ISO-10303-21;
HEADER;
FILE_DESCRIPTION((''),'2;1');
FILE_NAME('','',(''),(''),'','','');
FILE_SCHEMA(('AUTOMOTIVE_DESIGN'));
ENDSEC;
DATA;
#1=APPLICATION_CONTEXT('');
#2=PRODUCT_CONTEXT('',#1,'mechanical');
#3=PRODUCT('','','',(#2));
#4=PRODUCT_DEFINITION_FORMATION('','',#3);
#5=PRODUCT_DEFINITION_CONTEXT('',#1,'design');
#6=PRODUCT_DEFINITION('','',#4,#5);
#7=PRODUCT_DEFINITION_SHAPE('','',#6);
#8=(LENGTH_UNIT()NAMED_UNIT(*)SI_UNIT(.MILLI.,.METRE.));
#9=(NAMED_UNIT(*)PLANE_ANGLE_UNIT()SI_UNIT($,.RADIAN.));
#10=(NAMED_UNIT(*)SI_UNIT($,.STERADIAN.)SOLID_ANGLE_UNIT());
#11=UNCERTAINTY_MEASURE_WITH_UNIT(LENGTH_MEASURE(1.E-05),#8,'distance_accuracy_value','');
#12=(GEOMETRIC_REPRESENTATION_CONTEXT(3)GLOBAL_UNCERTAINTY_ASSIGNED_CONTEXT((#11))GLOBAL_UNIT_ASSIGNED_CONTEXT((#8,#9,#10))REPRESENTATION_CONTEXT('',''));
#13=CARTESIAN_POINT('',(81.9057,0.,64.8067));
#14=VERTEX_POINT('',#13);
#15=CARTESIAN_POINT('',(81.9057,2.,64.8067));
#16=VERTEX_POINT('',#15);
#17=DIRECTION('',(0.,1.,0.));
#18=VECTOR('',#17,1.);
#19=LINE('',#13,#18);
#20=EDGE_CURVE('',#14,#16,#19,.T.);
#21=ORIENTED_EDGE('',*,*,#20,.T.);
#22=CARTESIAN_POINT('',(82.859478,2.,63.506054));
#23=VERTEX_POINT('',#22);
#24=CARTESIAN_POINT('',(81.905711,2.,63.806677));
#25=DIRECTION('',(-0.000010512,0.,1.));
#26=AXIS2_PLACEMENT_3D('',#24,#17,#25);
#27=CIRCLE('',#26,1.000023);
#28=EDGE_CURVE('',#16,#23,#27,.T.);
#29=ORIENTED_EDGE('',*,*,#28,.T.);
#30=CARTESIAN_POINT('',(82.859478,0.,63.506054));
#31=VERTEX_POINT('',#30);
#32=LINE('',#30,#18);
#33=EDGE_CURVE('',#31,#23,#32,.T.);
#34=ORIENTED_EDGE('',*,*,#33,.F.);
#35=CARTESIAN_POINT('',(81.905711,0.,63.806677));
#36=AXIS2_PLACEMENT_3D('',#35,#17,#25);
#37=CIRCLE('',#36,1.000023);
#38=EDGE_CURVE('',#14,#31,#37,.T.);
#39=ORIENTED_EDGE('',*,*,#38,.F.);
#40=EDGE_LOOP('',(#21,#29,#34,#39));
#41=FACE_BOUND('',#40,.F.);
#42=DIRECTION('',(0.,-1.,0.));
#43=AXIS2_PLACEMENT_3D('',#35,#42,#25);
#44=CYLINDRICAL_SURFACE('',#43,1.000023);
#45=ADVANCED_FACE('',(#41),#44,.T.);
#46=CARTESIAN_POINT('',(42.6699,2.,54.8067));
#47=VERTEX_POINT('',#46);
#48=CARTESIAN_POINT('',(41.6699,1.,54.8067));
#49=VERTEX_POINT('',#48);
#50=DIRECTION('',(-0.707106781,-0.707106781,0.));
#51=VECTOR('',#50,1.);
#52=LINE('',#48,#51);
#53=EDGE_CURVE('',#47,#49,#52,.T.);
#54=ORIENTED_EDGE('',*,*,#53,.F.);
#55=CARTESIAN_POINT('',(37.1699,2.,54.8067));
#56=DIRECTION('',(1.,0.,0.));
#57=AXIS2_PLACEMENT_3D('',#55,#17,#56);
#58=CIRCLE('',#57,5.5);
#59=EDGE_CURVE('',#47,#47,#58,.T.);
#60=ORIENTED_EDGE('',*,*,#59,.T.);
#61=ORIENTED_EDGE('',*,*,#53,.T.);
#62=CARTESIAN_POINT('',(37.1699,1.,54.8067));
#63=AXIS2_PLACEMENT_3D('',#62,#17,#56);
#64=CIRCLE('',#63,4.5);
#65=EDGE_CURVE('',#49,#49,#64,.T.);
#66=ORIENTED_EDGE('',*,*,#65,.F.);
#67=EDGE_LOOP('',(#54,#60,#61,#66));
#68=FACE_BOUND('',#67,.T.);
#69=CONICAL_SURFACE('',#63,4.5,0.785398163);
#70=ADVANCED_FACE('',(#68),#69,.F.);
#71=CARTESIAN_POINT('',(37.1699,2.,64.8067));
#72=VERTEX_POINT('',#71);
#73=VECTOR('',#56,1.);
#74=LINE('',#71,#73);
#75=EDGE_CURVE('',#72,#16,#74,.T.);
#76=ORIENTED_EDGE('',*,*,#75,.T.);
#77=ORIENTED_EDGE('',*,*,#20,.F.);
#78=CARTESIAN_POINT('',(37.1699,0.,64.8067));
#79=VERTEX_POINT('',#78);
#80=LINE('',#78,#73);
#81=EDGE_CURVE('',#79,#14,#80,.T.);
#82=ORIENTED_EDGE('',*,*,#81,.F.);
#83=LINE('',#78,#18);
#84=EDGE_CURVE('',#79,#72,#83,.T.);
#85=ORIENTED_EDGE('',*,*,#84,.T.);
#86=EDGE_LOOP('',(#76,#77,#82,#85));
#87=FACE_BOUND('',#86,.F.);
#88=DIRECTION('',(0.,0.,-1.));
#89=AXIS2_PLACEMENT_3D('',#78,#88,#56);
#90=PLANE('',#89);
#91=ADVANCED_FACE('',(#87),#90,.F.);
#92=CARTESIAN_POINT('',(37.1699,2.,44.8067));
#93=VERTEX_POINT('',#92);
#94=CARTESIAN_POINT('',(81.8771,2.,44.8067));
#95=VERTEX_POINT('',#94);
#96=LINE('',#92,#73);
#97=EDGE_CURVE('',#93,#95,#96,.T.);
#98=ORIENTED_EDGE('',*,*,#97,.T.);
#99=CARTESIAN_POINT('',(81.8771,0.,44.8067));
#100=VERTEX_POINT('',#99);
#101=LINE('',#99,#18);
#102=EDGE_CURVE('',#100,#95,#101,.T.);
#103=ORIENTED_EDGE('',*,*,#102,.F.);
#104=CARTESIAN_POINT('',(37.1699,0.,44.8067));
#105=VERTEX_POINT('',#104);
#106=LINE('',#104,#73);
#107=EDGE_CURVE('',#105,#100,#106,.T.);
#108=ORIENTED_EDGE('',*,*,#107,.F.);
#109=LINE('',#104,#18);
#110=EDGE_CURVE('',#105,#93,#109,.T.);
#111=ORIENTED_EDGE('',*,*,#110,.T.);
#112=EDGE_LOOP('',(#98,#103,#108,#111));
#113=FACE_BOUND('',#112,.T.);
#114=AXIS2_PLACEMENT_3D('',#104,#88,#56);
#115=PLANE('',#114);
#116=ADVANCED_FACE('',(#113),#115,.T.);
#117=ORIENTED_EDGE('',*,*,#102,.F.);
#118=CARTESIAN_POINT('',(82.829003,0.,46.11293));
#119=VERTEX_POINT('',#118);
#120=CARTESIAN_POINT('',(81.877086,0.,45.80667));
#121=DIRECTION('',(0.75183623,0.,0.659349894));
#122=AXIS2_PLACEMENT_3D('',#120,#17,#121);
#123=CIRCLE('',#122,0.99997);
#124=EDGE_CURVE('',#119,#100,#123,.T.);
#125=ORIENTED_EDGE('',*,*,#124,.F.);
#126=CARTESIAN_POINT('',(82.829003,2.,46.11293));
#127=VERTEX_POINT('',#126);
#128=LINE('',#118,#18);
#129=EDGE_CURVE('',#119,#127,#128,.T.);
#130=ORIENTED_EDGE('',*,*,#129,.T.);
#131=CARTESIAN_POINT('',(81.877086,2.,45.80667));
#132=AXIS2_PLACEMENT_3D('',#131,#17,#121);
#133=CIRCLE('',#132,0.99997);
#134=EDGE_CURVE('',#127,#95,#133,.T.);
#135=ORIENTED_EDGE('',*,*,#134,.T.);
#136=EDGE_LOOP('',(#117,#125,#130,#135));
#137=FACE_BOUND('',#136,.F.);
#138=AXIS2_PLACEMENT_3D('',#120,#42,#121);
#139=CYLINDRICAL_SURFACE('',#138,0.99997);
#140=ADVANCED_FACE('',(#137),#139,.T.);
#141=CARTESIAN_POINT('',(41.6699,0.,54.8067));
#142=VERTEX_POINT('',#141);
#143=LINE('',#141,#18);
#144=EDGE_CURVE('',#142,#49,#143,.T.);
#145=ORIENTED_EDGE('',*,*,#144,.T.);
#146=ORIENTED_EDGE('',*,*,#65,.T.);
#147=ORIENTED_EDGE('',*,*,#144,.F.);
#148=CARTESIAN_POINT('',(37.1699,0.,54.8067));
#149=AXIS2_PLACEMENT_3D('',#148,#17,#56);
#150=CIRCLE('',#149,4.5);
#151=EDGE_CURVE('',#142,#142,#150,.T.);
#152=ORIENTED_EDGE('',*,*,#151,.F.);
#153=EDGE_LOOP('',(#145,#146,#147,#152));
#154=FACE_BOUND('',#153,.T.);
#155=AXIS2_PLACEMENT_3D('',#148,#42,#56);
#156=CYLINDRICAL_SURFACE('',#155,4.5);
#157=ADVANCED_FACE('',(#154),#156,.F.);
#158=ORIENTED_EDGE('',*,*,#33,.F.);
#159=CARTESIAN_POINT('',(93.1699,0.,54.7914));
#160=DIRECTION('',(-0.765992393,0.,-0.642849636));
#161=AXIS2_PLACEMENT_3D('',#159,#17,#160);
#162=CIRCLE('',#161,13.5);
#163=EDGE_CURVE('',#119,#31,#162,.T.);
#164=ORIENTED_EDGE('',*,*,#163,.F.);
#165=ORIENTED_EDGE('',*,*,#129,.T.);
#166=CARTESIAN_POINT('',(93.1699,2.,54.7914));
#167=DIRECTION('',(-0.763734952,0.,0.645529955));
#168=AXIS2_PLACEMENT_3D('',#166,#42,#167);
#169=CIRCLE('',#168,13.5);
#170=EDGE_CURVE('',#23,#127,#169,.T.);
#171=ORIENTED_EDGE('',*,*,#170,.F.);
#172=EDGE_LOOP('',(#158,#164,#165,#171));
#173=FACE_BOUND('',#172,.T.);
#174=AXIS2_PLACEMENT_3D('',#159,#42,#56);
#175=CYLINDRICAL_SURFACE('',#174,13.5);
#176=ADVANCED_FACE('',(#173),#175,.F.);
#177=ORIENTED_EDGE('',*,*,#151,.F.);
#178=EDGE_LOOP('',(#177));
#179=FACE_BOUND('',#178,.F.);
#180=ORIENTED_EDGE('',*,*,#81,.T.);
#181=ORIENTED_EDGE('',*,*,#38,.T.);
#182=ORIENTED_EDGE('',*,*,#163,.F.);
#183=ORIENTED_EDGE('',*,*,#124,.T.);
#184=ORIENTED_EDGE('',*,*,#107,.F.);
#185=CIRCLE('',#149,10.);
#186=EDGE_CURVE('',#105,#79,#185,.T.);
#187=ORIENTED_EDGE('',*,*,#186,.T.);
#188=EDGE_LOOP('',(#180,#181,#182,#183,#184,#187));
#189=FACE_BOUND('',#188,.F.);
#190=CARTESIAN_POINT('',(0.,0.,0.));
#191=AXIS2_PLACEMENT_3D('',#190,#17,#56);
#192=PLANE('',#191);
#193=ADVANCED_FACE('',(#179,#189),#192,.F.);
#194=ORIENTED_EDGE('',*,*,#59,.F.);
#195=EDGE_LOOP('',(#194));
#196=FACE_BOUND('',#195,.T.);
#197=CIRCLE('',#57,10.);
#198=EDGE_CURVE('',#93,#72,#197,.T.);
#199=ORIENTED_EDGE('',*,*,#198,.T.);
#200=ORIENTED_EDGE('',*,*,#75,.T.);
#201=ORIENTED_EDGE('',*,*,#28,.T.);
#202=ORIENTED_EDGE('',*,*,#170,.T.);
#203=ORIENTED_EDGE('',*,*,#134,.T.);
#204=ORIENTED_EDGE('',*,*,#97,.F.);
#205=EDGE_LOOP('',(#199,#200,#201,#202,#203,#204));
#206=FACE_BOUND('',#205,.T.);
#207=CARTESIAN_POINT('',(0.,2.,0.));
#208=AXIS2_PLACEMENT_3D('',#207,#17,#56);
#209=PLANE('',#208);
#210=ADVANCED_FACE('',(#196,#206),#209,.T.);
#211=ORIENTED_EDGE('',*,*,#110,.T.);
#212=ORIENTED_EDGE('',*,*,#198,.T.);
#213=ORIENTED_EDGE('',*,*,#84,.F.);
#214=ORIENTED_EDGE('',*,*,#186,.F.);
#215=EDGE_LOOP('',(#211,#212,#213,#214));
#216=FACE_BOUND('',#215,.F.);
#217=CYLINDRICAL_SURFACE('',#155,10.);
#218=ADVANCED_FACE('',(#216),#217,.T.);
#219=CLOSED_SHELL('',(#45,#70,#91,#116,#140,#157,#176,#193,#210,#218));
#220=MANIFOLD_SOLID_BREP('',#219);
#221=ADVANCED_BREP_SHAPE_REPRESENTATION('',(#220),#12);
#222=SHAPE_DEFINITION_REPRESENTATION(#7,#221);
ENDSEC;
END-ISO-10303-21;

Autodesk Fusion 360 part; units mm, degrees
sketch "Sketch1" plane through (0, 0, 0) normal (0, 1, 0) x (1, 0, 0)
  line L0 (17.4087, -54.8067) -> (135.0065, -54.8067) construction
  circle A0 centre (37.1699, -54.8067) radius 10
  line L1 (9.2396, -44.8067) -> (81.8771, -44.8067) construction
  line L2 (13.4192, -64.8067) -> (138.6161, -64.8067) construction
  circle A1 centre (37.1699, -54.8067) radius 4.5
  circle A2 centre (37.1699, -54.8067) radius 7.5 construction
  line L3 (44.6699, -37.6811) -> (44.6699, -71.7825) construction
  line L4 (46.6699, -36.8465) -> (46.6699, -73.6307) construction
  line L5 (79.6699, -35.9522) -> (79.6699, -73.0345) construction
  line L6 (93.1699, -35.833) -> (93.1699, -73.7499) construction
  circle A3 centre (93.1699, -54.7914) radius 13.5
  line L7 (37.1699, -44.8067) -> (84.084, -44.8067)
  line L8 (37.1699, -64.8067) -> (81.9057, -64.8067)
  line L9 (82.084, -39.2431) -> (82.084, -68.9507) construction
  line L10 (82.6289, -46.466) -> (82.084, -47.0874)
  line L11 (82.6565, -63.1461) -> (82.084, -62.4955)
  arc A4 (82.6289, -46.466) -> (81.8771, -44.8067) centre (81.8771, -45.8067) ccw
  arc A5 (81.9057, -64.8067) -> (82.6565, -63.1461) centre (81.9057, -63.8067) ccw
  dimension "d1" = 20
  dimension "d2" = 9
  dimension "d3" = 15
  dimension "d4" = 2
  dimension "d5" = 33
  dimension "d6" = 13.5
  dimension "d7" = 27
  dimension "d8" = 2
  dimension "d9" = 1
  dimension "d10" = 1
extrude "Extrude1" add sketch "Sketch1" along normal blind 2 contours A0 | A0 A3 L7 L8 A4 A5
chamfer "Chamfer1" distance 1 angle 45 1 edges at (32.9745, 2, 53.1794)
equation "d6 = ( 27 / 2 ) * 1 mm"
